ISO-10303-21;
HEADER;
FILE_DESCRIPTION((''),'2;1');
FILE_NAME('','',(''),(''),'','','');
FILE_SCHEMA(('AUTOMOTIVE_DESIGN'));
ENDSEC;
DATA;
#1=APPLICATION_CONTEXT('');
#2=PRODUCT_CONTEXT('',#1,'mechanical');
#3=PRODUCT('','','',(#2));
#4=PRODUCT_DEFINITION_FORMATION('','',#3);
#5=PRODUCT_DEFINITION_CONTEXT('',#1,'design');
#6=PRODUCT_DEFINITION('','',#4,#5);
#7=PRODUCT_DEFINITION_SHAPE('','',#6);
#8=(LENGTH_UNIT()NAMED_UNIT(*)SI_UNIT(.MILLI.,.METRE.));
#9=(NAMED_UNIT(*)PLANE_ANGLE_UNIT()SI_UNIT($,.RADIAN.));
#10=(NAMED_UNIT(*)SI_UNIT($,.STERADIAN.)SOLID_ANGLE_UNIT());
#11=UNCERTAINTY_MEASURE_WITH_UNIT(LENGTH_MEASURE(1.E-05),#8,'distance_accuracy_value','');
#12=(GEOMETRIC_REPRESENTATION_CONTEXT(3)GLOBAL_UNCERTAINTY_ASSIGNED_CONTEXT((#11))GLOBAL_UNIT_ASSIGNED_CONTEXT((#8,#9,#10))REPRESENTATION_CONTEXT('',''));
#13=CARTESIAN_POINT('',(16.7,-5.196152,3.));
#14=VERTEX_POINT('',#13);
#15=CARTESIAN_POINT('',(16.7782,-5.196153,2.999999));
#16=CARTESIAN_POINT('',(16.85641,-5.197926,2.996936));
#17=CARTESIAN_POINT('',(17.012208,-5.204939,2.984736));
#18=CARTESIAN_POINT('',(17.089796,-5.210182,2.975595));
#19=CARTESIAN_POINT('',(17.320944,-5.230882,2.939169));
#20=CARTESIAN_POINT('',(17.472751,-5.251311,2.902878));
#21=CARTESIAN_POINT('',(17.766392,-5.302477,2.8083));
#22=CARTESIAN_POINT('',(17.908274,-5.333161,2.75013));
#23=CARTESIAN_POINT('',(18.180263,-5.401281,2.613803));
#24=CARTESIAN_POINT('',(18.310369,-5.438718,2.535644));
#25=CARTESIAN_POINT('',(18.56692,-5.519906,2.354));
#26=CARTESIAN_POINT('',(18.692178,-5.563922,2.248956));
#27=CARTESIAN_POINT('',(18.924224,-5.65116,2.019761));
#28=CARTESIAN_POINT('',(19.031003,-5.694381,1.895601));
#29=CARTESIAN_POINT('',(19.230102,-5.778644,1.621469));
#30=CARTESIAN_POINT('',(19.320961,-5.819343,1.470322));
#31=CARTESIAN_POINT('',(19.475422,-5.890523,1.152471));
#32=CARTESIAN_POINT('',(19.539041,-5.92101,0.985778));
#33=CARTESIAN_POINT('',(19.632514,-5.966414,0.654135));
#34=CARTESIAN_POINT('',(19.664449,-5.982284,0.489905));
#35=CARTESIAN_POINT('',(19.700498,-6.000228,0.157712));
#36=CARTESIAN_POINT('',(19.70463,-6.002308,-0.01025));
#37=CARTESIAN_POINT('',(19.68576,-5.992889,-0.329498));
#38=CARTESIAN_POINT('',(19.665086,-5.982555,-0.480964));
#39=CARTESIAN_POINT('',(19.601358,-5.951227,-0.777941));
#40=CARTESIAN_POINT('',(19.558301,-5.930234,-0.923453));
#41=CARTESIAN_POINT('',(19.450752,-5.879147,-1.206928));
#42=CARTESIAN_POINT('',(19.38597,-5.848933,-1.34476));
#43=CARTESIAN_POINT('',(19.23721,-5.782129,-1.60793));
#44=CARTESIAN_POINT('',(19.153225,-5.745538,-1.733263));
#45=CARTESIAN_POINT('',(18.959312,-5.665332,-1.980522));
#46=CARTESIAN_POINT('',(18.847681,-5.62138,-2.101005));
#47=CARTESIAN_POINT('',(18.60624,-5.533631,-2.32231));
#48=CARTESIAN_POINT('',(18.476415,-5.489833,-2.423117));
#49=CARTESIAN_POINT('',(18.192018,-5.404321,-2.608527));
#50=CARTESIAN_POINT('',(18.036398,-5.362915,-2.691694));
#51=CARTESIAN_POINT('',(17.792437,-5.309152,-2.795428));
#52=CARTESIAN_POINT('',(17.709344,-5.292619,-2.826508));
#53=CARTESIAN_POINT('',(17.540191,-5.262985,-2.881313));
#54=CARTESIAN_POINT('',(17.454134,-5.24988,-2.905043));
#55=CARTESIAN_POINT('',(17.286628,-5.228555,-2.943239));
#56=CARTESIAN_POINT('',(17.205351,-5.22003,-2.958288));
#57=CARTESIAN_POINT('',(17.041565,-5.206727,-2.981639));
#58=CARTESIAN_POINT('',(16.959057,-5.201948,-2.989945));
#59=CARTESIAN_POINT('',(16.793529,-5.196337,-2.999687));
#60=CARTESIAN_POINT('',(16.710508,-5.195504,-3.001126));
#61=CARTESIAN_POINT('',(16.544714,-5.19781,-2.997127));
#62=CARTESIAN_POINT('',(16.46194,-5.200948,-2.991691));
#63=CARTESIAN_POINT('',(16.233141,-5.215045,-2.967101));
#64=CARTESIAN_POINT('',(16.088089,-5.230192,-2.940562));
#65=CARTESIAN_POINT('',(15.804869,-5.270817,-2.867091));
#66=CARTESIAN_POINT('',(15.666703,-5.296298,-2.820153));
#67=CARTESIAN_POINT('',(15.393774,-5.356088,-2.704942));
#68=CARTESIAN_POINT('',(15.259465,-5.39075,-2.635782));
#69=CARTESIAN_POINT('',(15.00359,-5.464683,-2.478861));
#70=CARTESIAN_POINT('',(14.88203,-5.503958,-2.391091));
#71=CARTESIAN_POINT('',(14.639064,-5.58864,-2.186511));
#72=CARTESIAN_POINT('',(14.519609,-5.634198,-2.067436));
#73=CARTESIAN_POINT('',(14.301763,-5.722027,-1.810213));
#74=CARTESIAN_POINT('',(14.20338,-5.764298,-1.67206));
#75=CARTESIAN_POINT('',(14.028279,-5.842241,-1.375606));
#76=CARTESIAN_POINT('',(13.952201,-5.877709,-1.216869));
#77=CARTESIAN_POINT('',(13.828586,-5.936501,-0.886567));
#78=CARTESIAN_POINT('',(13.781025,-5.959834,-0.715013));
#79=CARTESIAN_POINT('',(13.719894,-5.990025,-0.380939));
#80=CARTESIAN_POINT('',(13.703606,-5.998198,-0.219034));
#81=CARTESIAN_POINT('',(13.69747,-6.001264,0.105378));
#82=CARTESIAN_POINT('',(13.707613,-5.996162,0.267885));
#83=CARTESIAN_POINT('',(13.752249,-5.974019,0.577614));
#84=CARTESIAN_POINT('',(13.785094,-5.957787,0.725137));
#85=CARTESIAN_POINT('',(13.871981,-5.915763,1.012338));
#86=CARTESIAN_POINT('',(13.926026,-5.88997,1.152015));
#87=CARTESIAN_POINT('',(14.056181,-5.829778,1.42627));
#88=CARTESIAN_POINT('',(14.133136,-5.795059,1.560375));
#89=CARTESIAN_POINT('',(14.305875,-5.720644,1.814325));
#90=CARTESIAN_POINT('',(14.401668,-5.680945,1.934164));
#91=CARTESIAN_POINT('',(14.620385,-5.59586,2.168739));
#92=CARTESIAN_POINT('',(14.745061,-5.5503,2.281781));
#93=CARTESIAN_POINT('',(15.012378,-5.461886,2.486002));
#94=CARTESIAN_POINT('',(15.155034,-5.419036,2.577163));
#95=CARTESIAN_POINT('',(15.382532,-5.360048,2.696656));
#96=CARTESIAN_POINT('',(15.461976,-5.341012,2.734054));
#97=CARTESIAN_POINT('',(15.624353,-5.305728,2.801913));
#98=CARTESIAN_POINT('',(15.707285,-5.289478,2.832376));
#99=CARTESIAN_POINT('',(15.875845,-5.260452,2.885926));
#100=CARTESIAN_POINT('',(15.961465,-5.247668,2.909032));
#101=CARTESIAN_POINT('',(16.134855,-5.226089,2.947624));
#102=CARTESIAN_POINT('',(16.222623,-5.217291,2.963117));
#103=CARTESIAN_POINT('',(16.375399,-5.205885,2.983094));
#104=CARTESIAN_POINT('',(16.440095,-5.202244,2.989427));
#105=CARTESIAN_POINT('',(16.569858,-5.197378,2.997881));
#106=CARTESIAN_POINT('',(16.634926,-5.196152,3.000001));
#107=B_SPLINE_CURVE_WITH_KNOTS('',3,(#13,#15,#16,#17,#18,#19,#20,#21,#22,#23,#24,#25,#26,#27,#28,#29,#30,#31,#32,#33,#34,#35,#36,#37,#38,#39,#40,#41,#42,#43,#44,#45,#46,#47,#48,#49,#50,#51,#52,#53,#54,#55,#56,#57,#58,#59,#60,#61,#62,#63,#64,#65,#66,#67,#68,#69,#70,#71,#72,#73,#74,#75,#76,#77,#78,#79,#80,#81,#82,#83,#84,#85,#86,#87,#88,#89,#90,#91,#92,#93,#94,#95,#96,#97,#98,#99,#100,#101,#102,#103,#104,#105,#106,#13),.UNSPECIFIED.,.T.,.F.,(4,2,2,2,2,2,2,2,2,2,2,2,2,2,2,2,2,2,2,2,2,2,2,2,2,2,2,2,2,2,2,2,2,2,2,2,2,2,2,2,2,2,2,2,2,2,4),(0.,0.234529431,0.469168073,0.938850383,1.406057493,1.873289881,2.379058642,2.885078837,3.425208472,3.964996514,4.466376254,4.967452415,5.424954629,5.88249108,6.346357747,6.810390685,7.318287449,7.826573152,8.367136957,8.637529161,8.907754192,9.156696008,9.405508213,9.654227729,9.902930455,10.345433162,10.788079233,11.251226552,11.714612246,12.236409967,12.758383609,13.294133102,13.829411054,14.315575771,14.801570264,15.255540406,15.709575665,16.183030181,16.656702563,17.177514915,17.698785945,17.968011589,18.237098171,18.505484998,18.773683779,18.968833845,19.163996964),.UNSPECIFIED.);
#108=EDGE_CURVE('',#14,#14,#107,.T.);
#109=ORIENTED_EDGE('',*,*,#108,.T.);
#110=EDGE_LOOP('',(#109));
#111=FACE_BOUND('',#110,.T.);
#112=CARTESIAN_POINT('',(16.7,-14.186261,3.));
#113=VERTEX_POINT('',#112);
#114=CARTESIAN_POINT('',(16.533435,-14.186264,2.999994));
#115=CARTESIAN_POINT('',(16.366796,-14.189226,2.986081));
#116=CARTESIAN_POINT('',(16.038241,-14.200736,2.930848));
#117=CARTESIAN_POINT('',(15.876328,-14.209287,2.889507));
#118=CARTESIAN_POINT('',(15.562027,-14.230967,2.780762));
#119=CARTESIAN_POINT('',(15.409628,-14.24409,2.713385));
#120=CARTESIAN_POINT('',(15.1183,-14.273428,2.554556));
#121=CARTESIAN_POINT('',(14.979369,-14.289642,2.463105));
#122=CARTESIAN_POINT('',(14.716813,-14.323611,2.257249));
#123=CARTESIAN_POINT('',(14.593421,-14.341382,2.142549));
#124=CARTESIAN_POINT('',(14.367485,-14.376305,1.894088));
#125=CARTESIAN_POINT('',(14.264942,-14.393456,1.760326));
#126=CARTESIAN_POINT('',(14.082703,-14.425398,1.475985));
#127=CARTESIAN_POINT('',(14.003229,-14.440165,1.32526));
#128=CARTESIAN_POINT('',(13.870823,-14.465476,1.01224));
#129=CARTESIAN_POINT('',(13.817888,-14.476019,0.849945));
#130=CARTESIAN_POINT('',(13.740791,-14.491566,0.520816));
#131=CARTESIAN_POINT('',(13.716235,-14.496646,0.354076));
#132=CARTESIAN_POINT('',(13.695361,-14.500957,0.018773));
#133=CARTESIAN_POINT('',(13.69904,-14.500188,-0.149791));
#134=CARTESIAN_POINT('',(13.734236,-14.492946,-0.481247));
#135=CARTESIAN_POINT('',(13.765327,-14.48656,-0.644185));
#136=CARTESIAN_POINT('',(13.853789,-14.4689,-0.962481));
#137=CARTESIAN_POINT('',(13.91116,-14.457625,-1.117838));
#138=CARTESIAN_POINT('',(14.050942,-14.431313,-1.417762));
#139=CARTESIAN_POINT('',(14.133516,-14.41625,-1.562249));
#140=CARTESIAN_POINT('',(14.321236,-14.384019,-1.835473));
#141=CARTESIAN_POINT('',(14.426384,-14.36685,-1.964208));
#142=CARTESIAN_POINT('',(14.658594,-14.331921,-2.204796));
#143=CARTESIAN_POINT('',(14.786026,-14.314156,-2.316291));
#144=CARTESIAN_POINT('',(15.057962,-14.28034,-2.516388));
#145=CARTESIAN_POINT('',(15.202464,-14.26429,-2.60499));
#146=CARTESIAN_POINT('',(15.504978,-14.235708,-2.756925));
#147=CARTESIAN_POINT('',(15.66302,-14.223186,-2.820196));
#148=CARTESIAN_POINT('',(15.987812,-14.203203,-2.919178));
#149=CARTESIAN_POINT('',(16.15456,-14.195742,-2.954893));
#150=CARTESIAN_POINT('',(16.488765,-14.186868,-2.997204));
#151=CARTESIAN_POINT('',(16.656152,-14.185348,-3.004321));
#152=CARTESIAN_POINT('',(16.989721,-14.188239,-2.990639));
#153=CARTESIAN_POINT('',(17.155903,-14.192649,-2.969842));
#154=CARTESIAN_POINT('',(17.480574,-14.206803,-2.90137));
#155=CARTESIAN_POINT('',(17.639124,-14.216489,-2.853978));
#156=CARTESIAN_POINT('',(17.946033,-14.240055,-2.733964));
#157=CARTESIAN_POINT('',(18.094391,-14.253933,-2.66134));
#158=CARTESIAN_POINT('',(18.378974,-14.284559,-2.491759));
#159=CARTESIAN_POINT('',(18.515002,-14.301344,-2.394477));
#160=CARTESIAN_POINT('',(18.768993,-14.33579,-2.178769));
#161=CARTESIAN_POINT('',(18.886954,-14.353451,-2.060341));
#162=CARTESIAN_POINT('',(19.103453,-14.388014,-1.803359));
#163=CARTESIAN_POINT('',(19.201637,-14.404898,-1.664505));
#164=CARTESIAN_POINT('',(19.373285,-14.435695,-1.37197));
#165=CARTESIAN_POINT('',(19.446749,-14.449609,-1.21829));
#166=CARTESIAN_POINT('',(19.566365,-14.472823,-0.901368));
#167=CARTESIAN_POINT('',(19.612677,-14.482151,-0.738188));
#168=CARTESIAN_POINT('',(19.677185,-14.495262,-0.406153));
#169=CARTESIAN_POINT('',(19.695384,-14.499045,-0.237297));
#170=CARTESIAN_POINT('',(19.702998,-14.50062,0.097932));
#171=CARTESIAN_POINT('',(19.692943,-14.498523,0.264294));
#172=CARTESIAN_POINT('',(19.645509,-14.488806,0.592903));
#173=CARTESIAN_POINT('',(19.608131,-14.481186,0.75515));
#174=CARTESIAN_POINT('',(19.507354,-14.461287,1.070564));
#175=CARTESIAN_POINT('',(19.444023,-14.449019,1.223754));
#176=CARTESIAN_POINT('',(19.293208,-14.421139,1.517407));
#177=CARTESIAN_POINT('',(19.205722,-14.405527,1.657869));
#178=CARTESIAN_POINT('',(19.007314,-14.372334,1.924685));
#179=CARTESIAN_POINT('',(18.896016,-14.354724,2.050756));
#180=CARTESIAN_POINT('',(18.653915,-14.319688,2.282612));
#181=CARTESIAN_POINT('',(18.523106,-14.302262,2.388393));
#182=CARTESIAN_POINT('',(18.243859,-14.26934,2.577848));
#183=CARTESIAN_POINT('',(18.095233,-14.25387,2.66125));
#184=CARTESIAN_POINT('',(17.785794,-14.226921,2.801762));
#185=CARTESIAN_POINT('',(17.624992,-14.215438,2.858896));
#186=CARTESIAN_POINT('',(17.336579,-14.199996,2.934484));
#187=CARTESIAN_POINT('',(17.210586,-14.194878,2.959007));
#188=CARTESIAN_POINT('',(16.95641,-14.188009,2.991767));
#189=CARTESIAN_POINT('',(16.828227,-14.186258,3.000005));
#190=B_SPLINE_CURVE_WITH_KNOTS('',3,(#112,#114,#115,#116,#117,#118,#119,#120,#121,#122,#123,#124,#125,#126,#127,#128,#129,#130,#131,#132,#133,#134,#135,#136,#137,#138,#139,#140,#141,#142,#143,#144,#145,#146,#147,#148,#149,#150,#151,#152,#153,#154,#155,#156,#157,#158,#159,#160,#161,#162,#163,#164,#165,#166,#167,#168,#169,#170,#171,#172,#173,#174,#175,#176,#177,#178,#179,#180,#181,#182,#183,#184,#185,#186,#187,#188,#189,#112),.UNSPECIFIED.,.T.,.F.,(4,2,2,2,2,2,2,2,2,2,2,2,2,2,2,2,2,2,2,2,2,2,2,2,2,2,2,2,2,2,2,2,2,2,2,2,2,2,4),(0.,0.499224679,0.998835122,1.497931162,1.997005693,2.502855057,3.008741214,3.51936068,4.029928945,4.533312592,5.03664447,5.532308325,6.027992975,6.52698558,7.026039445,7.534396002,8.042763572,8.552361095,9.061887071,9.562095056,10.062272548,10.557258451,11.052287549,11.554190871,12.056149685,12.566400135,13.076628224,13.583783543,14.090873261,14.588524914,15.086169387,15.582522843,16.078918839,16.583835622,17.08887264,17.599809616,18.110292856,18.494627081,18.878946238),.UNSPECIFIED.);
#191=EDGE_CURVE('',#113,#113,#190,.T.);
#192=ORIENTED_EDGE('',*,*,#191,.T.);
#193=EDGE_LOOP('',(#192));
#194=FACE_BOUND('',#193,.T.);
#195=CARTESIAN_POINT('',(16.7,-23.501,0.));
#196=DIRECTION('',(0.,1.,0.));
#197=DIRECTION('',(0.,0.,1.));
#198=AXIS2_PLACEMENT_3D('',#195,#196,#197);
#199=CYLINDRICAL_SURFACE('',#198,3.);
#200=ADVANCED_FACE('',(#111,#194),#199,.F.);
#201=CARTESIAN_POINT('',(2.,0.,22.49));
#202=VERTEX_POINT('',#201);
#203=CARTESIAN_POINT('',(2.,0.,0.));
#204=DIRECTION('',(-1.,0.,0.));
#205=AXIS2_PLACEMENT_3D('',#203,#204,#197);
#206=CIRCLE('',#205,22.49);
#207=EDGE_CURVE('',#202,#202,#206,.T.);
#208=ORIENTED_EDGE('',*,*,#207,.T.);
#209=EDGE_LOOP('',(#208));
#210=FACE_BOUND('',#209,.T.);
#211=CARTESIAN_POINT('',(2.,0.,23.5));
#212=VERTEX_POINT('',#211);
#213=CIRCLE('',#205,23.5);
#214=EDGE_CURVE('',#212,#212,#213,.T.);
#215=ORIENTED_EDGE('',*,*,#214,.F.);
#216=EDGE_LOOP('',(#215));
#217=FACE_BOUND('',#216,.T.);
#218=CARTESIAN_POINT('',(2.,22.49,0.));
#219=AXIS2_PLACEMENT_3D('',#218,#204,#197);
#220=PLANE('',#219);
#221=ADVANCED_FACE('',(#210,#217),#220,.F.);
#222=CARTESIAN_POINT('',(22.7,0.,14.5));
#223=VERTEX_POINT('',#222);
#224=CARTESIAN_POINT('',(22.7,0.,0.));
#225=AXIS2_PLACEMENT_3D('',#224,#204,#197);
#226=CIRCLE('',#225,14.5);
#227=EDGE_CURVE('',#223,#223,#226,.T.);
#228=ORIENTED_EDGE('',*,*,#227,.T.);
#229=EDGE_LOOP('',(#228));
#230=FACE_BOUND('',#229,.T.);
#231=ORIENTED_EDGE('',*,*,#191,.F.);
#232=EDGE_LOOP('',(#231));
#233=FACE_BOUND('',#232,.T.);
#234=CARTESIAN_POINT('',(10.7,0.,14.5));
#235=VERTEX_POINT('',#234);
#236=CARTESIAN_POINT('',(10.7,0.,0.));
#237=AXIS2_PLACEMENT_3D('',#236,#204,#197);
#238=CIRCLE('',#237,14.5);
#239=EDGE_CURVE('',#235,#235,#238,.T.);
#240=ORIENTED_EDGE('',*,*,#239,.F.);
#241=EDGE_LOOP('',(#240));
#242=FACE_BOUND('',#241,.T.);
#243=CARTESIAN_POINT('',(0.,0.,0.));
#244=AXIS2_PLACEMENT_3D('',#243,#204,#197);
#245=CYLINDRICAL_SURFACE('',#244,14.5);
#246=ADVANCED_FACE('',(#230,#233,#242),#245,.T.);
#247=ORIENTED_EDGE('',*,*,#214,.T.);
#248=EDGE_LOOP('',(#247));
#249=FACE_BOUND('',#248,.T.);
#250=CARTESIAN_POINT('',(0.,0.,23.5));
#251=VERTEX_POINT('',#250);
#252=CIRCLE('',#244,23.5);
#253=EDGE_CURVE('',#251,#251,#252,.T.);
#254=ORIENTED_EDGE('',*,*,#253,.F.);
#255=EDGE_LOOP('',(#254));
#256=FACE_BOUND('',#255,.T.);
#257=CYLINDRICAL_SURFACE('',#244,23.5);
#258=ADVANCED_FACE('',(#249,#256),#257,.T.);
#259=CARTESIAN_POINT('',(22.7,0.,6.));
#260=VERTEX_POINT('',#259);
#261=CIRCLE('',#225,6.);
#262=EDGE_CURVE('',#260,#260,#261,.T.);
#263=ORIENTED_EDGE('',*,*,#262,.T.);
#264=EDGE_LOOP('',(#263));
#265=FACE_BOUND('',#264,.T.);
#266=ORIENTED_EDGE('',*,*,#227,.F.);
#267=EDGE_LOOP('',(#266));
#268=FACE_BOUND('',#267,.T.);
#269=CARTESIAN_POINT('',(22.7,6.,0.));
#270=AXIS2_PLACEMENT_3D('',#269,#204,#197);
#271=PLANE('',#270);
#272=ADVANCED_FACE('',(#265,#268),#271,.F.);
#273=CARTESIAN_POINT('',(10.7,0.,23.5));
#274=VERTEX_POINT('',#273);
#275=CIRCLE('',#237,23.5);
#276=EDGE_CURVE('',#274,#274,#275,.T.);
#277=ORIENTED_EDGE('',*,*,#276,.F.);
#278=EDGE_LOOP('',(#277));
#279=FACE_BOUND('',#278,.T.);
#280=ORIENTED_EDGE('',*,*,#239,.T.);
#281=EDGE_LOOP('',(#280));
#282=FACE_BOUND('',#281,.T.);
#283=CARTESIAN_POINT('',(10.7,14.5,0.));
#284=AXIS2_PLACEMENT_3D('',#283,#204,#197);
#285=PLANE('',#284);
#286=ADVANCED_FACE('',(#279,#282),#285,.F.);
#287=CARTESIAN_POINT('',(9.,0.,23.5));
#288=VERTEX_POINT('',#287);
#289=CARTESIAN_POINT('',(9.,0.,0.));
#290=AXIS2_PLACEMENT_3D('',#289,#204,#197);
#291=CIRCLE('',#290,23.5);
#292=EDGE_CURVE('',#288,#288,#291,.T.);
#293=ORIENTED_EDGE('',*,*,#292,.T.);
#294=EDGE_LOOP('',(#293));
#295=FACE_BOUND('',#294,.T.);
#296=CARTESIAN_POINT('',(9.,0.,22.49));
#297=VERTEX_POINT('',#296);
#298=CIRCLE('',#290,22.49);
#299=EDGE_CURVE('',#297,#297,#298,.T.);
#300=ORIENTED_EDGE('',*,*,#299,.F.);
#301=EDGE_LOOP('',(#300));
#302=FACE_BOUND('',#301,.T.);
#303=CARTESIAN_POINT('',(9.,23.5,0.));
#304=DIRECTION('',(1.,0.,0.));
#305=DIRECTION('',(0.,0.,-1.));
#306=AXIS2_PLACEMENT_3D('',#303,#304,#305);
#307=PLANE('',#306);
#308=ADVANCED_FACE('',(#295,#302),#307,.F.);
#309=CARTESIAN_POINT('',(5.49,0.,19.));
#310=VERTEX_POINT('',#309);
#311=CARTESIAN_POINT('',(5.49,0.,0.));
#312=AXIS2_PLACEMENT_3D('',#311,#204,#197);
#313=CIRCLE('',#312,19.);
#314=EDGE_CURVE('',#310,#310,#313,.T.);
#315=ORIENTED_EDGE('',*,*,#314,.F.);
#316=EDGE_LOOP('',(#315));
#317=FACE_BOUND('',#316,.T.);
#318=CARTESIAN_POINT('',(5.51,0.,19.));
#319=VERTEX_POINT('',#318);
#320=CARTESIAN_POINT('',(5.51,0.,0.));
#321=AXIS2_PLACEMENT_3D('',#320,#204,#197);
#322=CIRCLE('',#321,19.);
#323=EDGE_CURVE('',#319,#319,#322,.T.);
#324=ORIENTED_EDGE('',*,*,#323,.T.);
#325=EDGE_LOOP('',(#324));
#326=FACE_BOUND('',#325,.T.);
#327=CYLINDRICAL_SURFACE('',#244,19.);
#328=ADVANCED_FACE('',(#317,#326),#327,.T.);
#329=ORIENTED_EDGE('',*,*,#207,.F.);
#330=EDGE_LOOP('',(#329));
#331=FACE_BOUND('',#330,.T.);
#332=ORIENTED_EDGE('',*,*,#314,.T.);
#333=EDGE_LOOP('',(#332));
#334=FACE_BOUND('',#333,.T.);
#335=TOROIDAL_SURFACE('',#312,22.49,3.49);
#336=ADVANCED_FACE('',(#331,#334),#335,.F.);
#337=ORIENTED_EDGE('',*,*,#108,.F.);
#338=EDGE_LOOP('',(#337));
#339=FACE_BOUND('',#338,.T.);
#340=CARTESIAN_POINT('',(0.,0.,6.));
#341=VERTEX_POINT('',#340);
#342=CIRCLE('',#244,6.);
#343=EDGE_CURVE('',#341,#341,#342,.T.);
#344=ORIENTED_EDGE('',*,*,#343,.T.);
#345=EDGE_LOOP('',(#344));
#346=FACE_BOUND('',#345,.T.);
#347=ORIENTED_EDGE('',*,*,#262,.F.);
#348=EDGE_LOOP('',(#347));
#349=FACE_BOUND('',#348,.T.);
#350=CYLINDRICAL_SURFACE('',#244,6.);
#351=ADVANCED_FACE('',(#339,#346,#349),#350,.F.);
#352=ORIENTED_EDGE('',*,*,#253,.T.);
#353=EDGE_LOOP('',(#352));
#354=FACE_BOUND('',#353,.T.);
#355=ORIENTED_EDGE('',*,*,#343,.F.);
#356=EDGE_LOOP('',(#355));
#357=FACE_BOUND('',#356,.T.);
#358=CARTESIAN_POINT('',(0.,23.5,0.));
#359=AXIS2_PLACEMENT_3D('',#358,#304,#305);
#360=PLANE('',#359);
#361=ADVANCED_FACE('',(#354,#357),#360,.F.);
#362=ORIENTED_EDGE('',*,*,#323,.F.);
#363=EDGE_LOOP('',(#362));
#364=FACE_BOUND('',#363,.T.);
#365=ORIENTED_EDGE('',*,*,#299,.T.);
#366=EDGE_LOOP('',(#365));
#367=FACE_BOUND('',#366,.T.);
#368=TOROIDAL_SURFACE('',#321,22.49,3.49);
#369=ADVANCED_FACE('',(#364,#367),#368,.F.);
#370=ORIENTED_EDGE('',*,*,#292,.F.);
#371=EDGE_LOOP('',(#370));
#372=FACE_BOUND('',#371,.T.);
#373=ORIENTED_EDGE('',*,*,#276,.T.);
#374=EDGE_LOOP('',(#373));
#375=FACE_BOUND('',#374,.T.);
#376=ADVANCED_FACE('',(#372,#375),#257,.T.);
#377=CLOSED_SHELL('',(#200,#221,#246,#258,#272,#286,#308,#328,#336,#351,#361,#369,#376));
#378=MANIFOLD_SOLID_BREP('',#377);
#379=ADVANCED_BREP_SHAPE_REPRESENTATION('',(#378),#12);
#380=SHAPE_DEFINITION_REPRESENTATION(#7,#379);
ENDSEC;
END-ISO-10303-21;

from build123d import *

# Parameters (mm, degrees)
CUT_EXTRUDE_1_REACH      = 42.247
CUT_EXTRUDE_1_END_RADIUS = 14.5
SKETCH_2_R               = 3


with BuildPart() as part:
    # Sketch 259 → Повернуть1 (revolve)
    with BuildSketch(Plane.XY, mode=Mode.PRIVATE) as revolve_1_sk:
        with BuildLine():
            Line((0, 6), (22.7, 6))
            Line((22.7, 6), (22.7, 14.5))
            Line((22.7, 14.5), (10.7, 14.5))
            Line((10.7, 14.5), (10.7, 23.5))
            Line((10.7, 23.5), (9, 23.5))
            Line((9, 23.5), (9, 22.49))
            ThreePointArc((9, 22.49), (7.977802666, 20.022197334), (5.51, 19))
            Line((5.51, 19), (5.49, 19))
            ThreePointArc((5.49, 19), (3.022197334, 20.022197334), (2, 22.49))
            Line((2, 22.49), (2, 23.5))
            Line((2, 23.5), (0, 23.5))
            Line((0, 23.5), (0, 6))
        make_face()
    revolve(revolve_1_sk.sketch.rotate(Axis((0, 0, 0), (1, 0, 0)), 90), axis=Axis((0, 0, 0), (1, 0, 0)))

    # Вырез-Вытянуть1: up to this cylinder (the profile starts inside it)
    cut_extrude_1_end = Plane(origin=(16.7, 0, 0), z_dir=(-1, 0, 0)) * Cylinder(CUT_EXTRUDE_1_END_RADIUS, 114.494, mode=Mode.PRIVATE)
    # Эскиз2 → Вырез-Вытянуть1 (cut, up to the surface)
    with BuildSketch(Plane(origin=(0, 0, 0), x_dir=(1, 0, 0), z_dir=(0, 1, 0)), mode=Mode.PRIVATE) as cut_extrude_1_sk1:
        with Locations(Location((16.7, 0, 0), (0, 0, 270))):
            Circle(SKETCH_2_R)
    cut_extrude_1_tool1 = extrude(cut_extrude_1_sk1.sketch, amount=-CUT_EXTRUDE_1_REACH, mode=Mode.PRIVATE) & cut_extrude_1_end
    add(cut_extrude_1_tool1.solids().sort_by_distance((16.7, 0, 0))[0], mode=Mode.SUBTRACT)


solid = part.part
